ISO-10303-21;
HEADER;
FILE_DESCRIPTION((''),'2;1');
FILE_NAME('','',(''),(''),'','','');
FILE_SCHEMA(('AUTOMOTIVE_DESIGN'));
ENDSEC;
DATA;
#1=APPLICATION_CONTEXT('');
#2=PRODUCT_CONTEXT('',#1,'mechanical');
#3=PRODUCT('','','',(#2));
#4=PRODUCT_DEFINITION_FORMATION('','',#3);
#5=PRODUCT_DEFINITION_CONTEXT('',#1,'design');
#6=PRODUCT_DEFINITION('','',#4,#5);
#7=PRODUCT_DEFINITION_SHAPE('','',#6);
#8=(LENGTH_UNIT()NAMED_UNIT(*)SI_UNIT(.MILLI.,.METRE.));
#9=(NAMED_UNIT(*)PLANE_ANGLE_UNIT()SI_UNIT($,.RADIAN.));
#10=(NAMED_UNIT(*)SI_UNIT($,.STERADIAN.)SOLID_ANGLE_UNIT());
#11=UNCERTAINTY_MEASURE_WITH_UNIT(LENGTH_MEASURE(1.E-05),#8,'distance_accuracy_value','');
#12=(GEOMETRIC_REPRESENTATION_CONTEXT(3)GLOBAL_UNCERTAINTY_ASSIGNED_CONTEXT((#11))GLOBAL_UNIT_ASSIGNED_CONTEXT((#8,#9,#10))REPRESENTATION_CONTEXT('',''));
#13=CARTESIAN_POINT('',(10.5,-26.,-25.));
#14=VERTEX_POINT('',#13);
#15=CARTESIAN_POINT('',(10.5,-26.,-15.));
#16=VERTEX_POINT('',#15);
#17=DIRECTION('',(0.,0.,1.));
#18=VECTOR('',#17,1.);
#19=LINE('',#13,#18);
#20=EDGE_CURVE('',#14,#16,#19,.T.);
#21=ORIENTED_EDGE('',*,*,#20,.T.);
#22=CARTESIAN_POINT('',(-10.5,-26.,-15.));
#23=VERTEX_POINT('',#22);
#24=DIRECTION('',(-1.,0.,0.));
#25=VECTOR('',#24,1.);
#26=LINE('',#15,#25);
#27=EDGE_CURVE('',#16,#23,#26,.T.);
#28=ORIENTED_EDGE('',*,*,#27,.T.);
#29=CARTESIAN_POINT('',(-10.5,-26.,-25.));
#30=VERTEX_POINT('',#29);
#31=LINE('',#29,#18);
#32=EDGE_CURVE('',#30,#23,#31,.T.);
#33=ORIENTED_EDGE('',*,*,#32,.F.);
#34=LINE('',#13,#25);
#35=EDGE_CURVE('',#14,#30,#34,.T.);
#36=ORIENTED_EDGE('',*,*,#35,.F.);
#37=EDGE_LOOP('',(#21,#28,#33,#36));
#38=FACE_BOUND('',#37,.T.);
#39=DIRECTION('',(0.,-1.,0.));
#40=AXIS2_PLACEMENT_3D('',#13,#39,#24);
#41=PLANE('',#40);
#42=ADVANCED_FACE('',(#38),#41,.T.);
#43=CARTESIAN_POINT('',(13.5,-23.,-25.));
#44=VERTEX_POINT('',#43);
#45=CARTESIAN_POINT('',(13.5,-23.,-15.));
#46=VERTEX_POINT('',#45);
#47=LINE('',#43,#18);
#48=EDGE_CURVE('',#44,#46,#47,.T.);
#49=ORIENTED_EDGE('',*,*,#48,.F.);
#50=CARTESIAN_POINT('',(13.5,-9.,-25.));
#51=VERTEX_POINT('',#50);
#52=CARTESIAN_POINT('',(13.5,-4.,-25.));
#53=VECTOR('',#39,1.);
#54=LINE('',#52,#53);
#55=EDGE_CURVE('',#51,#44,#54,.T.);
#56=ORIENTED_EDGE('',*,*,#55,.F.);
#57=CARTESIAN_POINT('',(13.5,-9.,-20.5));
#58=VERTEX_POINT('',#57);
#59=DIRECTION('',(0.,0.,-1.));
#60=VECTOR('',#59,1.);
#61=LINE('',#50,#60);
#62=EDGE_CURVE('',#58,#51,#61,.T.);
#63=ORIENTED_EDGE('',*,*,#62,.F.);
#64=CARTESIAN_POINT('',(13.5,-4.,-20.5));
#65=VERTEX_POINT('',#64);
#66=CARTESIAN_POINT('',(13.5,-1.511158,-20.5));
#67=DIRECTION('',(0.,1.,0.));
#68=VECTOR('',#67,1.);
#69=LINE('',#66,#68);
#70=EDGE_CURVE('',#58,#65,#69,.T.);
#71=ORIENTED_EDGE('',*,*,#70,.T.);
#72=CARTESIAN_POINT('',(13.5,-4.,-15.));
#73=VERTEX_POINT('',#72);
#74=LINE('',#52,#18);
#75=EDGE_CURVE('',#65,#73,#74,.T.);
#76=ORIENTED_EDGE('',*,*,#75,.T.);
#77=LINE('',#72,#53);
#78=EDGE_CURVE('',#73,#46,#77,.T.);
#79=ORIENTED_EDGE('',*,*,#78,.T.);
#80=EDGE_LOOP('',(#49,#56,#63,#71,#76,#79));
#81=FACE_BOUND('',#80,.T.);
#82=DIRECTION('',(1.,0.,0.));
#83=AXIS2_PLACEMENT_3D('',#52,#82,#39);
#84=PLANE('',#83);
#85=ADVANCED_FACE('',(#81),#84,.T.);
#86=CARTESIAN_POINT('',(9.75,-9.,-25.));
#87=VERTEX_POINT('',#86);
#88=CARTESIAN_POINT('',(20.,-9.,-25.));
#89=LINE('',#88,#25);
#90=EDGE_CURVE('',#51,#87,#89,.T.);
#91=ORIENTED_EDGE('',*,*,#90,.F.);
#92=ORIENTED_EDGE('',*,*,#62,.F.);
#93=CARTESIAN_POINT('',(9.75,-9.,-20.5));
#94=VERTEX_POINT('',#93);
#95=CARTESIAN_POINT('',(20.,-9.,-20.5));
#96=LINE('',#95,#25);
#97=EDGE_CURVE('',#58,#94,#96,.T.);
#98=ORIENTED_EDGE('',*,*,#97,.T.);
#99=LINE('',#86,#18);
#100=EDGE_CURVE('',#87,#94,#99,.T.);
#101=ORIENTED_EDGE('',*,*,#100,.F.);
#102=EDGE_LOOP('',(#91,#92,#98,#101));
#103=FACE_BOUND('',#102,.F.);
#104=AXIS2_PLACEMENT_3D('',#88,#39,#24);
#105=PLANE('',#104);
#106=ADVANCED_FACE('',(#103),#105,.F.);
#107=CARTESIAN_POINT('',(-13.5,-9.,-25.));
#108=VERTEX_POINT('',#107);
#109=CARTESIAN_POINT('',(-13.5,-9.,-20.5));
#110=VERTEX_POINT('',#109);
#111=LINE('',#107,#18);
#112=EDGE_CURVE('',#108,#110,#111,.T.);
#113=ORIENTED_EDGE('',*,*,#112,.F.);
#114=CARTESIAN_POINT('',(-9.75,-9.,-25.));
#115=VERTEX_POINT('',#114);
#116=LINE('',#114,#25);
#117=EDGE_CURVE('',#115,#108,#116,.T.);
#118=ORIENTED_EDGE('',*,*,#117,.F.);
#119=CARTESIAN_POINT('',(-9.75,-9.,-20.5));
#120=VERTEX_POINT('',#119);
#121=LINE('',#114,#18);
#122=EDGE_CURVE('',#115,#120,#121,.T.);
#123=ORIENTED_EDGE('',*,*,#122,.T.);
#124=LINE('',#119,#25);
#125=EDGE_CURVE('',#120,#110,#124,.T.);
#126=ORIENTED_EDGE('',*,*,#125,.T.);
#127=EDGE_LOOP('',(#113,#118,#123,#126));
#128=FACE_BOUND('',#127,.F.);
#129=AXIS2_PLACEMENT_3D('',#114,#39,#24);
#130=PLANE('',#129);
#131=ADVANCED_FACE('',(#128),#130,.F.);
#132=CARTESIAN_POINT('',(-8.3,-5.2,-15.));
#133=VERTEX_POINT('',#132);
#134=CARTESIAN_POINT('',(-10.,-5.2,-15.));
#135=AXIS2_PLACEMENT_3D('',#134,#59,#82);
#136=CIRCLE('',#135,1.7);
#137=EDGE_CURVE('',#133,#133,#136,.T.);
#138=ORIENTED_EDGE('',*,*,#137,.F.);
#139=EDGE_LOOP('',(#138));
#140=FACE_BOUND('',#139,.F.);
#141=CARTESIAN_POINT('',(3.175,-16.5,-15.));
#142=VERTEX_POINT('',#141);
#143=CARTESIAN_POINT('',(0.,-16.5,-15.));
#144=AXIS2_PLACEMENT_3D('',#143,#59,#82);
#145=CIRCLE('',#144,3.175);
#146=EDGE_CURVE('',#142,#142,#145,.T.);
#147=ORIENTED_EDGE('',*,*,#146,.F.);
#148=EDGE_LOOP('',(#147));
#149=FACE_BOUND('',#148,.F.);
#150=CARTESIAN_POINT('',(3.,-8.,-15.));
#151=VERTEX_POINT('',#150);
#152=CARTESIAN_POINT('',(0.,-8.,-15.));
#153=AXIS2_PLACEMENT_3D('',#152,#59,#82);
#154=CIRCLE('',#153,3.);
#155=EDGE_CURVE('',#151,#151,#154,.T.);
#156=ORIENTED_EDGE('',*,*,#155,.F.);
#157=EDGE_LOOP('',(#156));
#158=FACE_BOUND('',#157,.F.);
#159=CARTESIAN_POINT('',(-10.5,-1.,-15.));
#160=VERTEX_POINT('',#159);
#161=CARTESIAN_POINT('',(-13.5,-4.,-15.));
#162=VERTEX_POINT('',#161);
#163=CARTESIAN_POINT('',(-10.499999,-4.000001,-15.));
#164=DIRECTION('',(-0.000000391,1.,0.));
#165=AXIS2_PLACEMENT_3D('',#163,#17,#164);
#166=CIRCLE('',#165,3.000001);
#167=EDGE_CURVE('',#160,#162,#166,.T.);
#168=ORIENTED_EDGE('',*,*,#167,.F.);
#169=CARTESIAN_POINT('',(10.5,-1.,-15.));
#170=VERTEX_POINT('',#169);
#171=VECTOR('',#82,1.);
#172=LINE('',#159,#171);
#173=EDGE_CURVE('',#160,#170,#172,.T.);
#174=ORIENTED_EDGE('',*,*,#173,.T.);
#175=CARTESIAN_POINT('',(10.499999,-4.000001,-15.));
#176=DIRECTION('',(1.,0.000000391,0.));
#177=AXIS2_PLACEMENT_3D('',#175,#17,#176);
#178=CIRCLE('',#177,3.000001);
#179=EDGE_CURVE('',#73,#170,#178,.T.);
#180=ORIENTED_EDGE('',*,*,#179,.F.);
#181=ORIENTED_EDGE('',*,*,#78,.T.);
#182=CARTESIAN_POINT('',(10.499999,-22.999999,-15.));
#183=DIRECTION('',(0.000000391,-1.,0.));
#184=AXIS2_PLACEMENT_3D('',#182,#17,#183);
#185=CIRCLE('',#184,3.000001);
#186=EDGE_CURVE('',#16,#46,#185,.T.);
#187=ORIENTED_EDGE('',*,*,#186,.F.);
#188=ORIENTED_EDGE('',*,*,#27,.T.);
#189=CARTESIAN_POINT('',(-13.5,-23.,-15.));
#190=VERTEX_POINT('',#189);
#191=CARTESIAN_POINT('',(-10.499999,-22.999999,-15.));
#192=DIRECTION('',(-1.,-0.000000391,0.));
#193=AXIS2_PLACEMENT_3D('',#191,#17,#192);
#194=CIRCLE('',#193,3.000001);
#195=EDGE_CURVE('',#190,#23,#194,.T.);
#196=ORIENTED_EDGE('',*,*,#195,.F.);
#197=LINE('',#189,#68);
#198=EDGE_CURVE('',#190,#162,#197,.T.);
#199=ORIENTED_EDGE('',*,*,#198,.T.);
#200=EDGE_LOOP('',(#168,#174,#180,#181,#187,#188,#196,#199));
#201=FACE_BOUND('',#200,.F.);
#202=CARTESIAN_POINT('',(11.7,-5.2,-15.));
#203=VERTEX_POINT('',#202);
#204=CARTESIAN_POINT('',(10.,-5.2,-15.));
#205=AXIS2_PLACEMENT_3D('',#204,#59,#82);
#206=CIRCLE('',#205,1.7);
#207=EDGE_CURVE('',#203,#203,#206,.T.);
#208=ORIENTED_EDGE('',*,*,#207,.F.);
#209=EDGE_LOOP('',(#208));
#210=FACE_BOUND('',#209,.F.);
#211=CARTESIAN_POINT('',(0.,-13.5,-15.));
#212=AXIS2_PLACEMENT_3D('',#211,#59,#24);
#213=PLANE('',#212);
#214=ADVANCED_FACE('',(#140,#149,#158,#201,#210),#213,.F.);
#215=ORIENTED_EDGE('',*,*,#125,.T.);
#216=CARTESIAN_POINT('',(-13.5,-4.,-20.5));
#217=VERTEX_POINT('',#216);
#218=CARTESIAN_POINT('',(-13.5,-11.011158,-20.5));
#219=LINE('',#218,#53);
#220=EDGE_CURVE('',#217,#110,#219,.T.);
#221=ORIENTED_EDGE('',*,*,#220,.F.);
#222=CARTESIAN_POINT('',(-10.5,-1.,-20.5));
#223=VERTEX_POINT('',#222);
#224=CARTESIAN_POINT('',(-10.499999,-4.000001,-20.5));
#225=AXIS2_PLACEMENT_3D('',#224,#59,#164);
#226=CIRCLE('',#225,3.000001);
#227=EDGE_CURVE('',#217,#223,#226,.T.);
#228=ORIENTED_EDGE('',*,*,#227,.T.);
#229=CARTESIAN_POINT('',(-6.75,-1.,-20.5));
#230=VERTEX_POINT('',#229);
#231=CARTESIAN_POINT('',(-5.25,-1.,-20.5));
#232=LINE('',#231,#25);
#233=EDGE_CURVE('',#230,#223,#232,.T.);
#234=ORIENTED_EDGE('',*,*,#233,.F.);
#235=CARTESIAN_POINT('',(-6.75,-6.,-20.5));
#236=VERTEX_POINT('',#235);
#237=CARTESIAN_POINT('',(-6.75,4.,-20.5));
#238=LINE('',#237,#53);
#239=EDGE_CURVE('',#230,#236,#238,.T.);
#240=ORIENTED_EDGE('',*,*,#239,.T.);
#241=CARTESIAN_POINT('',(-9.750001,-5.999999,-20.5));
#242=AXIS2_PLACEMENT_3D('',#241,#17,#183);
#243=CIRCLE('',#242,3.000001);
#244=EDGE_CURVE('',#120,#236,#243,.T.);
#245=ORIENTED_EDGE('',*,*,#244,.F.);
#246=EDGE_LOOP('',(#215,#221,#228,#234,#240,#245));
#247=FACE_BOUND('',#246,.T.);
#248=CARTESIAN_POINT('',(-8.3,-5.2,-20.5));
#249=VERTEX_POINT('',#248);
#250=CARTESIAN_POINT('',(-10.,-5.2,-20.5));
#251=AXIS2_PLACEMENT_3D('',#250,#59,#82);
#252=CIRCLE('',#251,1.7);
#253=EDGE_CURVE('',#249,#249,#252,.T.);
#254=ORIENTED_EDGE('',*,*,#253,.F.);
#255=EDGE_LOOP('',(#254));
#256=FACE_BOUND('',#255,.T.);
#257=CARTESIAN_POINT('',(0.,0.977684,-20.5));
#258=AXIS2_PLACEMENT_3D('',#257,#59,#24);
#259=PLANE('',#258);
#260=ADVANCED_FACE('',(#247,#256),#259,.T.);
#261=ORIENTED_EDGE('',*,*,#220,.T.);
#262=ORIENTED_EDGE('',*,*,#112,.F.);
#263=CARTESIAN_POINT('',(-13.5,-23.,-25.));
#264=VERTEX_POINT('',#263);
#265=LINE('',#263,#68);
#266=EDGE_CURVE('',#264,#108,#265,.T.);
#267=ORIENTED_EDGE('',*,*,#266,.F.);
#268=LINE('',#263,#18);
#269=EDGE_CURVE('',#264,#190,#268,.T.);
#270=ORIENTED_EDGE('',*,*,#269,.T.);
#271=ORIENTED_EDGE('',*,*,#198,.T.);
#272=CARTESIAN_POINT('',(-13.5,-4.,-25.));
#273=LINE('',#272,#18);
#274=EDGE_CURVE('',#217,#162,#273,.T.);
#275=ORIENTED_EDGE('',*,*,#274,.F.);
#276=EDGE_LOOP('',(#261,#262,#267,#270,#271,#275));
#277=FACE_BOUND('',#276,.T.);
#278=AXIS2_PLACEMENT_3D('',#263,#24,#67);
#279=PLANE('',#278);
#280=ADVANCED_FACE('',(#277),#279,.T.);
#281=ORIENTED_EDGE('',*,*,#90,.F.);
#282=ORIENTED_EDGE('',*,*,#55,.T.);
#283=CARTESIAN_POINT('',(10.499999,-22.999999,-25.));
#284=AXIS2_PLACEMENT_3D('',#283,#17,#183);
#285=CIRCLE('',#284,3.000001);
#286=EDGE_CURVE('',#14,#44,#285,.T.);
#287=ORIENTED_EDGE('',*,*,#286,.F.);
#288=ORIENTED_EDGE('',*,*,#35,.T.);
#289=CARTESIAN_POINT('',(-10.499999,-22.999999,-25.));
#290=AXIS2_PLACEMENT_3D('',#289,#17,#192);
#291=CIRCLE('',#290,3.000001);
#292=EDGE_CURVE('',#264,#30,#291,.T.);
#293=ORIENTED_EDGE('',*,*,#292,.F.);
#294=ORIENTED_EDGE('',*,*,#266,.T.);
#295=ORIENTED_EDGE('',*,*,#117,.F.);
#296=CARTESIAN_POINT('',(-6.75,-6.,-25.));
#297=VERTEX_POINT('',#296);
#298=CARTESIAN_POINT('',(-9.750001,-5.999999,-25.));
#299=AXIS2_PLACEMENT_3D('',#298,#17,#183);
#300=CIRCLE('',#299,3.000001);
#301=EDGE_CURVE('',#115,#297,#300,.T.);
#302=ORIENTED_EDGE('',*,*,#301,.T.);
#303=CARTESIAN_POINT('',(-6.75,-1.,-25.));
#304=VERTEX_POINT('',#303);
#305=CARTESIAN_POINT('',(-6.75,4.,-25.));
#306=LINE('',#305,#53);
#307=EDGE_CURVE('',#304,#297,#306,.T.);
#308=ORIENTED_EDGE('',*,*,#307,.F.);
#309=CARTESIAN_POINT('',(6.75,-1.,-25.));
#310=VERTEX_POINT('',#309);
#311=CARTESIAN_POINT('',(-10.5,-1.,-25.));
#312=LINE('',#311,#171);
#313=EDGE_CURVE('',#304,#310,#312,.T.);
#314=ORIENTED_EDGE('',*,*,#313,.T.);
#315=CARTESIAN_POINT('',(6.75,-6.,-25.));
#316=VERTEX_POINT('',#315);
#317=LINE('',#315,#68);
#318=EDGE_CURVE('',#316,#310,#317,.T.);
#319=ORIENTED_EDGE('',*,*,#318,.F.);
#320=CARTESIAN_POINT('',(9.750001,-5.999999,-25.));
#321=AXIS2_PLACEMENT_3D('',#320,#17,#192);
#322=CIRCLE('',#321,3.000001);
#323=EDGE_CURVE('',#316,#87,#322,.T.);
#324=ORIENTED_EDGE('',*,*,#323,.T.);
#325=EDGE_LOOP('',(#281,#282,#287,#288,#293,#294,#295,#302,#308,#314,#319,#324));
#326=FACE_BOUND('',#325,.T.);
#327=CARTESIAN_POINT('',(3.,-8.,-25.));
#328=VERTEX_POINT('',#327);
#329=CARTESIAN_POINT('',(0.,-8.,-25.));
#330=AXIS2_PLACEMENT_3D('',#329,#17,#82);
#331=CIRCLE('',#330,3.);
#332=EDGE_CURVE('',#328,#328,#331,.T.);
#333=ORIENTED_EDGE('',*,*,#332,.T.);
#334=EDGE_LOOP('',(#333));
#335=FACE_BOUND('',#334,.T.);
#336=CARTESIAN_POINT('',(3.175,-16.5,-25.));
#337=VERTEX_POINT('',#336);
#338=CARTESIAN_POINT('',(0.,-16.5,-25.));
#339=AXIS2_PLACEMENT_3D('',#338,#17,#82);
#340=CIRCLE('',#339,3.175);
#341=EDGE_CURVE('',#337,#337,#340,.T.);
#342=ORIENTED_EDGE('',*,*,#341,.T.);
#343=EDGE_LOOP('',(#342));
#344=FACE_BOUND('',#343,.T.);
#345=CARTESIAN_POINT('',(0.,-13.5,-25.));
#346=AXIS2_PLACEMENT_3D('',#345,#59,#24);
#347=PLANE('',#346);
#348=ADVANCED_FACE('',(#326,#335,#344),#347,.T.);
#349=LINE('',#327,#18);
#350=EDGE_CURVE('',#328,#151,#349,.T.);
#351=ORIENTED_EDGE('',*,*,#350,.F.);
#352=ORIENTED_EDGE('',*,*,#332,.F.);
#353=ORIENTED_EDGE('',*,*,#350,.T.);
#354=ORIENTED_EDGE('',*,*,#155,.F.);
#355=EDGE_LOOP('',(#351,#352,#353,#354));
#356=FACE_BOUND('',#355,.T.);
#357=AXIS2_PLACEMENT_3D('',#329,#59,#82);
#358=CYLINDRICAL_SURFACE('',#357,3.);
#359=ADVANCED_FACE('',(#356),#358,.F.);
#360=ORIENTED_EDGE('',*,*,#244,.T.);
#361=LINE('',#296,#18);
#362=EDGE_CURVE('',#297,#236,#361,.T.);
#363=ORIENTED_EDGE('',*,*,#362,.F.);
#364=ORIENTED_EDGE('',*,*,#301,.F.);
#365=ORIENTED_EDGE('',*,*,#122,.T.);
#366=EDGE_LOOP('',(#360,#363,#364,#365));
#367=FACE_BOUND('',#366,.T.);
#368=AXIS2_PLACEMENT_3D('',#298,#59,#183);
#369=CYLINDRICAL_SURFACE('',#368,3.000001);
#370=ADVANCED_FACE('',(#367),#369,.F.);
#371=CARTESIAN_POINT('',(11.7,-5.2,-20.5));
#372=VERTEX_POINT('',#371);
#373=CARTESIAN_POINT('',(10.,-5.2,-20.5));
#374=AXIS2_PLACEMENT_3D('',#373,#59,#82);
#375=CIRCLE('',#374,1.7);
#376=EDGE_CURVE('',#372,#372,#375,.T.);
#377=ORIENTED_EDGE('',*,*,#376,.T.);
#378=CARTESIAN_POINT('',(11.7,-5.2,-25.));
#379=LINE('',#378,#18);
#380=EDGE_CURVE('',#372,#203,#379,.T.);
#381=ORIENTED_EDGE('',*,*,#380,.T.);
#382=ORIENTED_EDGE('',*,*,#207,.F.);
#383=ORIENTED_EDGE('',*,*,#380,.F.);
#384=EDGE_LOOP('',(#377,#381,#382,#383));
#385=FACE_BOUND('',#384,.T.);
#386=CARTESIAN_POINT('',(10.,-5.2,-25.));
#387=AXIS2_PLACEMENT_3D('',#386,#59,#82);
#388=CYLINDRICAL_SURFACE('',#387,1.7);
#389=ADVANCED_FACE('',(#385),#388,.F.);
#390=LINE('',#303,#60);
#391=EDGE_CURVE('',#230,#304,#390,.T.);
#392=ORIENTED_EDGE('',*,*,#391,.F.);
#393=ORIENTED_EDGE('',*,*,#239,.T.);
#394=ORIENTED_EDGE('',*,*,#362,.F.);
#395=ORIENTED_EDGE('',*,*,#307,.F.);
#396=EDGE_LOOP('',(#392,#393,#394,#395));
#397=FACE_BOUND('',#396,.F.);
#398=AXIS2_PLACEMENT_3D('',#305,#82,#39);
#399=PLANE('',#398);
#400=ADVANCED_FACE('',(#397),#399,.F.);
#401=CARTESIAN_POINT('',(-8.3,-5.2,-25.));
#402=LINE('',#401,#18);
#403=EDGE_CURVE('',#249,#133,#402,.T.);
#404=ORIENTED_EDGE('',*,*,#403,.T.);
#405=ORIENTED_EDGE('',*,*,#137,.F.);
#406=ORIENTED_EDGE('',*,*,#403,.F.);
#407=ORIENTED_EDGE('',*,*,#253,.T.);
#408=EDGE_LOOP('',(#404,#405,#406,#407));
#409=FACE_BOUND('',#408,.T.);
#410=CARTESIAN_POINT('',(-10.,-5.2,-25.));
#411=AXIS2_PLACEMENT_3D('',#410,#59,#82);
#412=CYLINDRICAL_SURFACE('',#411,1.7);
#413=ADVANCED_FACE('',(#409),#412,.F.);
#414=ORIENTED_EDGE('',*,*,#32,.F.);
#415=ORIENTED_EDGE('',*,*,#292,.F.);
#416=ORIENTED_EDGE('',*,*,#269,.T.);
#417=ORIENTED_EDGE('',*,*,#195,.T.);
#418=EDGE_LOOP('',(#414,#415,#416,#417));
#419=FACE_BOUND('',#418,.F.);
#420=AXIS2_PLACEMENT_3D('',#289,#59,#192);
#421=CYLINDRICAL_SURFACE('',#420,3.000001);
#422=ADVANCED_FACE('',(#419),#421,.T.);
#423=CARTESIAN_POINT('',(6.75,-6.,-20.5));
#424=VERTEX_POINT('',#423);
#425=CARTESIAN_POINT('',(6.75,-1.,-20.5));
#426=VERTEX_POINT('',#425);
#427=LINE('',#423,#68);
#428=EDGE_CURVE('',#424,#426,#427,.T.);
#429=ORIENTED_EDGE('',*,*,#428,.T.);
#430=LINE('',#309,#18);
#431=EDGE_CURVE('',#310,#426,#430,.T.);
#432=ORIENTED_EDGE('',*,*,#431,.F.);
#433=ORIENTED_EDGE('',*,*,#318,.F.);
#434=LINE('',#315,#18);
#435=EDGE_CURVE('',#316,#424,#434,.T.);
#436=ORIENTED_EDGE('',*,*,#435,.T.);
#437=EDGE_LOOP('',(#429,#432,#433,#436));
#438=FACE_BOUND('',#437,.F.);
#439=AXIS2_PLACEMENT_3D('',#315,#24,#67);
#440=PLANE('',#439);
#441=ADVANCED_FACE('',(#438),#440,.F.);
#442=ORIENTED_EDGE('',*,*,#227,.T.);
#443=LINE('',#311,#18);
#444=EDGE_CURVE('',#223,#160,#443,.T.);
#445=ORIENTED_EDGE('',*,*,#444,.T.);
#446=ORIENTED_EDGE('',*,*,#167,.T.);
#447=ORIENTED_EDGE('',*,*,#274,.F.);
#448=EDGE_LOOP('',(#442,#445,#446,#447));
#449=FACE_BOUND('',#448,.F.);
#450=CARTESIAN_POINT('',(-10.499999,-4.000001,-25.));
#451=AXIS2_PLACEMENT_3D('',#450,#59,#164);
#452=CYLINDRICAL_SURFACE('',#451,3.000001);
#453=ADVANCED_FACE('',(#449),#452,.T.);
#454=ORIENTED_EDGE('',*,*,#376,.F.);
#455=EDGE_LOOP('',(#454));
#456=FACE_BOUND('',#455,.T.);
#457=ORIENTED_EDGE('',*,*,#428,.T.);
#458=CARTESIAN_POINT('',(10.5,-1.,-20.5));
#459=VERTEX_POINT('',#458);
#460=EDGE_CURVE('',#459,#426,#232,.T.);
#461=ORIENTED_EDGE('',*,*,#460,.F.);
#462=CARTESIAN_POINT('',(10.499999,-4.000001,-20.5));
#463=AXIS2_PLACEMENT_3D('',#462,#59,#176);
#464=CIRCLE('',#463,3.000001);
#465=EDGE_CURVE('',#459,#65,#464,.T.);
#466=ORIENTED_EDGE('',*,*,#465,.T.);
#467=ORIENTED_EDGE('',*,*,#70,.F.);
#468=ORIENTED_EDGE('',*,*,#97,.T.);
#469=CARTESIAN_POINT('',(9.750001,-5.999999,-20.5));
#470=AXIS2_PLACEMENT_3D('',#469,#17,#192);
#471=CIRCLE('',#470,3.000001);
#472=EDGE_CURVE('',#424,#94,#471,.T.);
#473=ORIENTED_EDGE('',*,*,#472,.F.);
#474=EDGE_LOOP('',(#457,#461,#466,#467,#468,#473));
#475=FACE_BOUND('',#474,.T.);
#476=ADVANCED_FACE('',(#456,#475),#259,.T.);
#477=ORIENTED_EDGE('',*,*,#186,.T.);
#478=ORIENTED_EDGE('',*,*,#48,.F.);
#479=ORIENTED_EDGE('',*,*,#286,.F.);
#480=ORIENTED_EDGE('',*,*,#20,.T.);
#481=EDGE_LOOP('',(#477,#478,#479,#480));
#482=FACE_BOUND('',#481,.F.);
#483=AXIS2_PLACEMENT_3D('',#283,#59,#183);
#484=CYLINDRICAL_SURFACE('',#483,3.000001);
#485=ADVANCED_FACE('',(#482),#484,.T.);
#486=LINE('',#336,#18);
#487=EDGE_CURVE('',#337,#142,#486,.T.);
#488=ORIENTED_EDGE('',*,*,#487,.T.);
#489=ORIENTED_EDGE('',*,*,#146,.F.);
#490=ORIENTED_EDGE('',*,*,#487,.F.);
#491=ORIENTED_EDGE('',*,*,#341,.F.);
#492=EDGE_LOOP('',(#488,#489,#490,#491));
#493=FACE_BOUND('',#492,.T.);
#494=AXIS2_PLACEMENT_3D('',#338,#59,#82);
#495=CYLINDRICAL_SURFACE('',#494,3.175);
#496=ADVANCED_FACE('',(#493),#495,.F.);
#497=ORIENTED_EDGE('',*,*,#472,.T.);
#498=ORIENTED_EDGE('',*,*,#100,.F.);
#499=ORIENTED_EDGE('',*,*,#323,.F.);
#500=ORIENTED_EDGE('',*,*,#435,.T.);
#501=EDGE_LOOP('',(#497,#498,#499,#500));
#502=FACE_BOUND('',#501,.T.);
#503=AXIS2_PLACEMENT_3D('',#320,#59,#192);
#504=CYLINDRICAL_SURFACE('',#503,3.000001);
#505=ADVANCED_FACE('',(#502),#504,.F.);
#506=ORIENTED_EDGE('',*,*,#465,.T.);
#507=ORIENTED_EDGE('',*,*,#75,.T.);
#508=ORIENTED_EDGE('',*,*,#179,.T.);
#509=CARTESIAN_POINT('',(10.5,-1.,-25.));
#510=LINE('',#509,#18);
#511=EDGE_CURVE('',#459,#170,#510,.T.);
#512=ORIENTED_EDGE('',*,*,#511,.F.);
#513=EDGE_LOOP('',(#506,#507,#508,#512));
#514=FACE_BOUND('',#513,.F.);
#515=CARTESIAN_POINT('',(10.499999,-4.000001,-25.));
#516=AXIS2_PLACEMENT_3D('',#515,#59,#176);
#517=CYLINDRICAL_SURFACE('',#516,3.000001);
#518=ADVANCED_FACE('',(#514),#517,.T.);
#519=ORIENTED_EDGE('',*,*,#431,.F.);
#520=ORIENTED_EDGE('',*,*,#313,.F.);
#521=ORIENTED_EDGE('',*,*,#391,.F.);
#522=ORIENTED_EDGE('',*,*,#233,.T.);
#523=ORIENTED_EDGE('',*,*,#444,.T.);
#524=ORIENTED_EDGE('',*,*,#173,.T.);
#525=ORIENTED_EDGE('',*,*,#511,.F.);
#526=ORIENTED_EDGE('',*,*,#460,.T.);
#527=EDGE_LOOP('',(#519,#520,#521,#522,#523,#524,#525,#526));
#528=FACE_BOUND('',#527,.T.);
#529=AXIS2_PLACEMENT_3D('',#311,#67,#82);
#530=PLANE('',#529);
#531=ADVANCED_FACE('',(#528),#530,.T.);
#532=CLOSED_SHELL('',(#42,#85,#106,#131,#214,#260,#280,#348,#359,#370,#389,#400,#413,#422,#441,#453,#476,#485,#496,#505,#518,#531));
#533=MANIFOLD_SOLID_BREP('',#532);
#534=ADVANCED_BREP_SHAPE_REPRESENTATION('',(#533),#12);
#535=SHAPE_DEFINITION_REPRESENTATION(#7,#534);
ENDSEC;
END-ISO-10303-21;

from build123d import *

# Parameters (mm, degrees)
PAD005_DEPTH    = 10
SKETCH010_R     = 3
SKETCH010_R_2   = 3.175
POCKET005_DEPTH = 10.001
SKETCH011_R     = 1.7
POCKET006_DEPTH = 10.001
POCKET004_DEPTH = 4.5


with BuildPart() as part:
    # Sketch012 → Pad005 (new body)
    with BuildSketch(Plane.XY):
        with BuildLine():
            Line((-10.5, 0), (10.5, 0))
            ThreePointArc((13.5, -3), (12.62132, -0.87868), (10.5, 0))
            Line((13.5, -3), (13.5, -22))
            ThreePointArc((10.5, -25), (12.62132, -24.12132), (13.5, -22))
            Line((10.5, -25), (-10.5, -25))
            ThreePointArc((-13.5, -22), (-12.62132, -24.12132), (-10.5, -25))
            Line((-13.5, -22), (-13.5, -3))
            ThreePointArc((-10.5, 0), (-12.62132, -0.87868), (-13.5, -3))
        make_face()
    extrude(amount=PAD005_DEPTH)

    # Sketch010 → Pocket005 (cut, through all)
    with BuildSketch(Plane.XY):
        with Locations((0, -7)):
            Circle(SKETCH010_R)
        with Locations((0, -15.5)):
            Circle(SKETCH010_R_2)
    extrude(amount=POCKET005_DEPTH, mode=Mode.SUBTRACT)

    # Sketch011 → Pocket006 (cut, through all)
    with BuildSketch(Plane.XY):
        with Locations((-10, -4.2)):
            Circle(SKETCH011_R)
        with Locations((10, -4.2)):
            Circle(SKETCH011_R)
    extrude(amount=POCKET006_DEPTH, mode=Mode.SUBTRACT)

    # Sketch013 → Pocket004 (cut)
    with BuildSketch(Plane.XY):
        with BuildLine():
            Line((-6.75, 5), (-6.75, -5))
            ThreePointArc((-9.75, -8), (-7.62868, -7.12132), (-6.75, -5))
            Line((-9.75, -8), (-20, -8))
            Line((-20, -8), (-20, 10))
            Line((-20, 10), (20, 10))
            Line((20, 10), (20, -8))
            Line((20, -8), (9.75, -8))
            ThreePointArc((6.75, -5), (7.62868, -7.12132), (9.75, -8))
            Line((6.75, -5), (6.75, 5))
            Line((6.75, 5), (-6.75, 5))
        make_face()
    extrude(amount=POCKET004_DEPTH, mode=Mode.SUBTRACT)


with BuildPart() as part_1:
    # Body004 placement: moved
    add(part.part.moved(Location((0, -1, -25))))


solid = part_1.part
